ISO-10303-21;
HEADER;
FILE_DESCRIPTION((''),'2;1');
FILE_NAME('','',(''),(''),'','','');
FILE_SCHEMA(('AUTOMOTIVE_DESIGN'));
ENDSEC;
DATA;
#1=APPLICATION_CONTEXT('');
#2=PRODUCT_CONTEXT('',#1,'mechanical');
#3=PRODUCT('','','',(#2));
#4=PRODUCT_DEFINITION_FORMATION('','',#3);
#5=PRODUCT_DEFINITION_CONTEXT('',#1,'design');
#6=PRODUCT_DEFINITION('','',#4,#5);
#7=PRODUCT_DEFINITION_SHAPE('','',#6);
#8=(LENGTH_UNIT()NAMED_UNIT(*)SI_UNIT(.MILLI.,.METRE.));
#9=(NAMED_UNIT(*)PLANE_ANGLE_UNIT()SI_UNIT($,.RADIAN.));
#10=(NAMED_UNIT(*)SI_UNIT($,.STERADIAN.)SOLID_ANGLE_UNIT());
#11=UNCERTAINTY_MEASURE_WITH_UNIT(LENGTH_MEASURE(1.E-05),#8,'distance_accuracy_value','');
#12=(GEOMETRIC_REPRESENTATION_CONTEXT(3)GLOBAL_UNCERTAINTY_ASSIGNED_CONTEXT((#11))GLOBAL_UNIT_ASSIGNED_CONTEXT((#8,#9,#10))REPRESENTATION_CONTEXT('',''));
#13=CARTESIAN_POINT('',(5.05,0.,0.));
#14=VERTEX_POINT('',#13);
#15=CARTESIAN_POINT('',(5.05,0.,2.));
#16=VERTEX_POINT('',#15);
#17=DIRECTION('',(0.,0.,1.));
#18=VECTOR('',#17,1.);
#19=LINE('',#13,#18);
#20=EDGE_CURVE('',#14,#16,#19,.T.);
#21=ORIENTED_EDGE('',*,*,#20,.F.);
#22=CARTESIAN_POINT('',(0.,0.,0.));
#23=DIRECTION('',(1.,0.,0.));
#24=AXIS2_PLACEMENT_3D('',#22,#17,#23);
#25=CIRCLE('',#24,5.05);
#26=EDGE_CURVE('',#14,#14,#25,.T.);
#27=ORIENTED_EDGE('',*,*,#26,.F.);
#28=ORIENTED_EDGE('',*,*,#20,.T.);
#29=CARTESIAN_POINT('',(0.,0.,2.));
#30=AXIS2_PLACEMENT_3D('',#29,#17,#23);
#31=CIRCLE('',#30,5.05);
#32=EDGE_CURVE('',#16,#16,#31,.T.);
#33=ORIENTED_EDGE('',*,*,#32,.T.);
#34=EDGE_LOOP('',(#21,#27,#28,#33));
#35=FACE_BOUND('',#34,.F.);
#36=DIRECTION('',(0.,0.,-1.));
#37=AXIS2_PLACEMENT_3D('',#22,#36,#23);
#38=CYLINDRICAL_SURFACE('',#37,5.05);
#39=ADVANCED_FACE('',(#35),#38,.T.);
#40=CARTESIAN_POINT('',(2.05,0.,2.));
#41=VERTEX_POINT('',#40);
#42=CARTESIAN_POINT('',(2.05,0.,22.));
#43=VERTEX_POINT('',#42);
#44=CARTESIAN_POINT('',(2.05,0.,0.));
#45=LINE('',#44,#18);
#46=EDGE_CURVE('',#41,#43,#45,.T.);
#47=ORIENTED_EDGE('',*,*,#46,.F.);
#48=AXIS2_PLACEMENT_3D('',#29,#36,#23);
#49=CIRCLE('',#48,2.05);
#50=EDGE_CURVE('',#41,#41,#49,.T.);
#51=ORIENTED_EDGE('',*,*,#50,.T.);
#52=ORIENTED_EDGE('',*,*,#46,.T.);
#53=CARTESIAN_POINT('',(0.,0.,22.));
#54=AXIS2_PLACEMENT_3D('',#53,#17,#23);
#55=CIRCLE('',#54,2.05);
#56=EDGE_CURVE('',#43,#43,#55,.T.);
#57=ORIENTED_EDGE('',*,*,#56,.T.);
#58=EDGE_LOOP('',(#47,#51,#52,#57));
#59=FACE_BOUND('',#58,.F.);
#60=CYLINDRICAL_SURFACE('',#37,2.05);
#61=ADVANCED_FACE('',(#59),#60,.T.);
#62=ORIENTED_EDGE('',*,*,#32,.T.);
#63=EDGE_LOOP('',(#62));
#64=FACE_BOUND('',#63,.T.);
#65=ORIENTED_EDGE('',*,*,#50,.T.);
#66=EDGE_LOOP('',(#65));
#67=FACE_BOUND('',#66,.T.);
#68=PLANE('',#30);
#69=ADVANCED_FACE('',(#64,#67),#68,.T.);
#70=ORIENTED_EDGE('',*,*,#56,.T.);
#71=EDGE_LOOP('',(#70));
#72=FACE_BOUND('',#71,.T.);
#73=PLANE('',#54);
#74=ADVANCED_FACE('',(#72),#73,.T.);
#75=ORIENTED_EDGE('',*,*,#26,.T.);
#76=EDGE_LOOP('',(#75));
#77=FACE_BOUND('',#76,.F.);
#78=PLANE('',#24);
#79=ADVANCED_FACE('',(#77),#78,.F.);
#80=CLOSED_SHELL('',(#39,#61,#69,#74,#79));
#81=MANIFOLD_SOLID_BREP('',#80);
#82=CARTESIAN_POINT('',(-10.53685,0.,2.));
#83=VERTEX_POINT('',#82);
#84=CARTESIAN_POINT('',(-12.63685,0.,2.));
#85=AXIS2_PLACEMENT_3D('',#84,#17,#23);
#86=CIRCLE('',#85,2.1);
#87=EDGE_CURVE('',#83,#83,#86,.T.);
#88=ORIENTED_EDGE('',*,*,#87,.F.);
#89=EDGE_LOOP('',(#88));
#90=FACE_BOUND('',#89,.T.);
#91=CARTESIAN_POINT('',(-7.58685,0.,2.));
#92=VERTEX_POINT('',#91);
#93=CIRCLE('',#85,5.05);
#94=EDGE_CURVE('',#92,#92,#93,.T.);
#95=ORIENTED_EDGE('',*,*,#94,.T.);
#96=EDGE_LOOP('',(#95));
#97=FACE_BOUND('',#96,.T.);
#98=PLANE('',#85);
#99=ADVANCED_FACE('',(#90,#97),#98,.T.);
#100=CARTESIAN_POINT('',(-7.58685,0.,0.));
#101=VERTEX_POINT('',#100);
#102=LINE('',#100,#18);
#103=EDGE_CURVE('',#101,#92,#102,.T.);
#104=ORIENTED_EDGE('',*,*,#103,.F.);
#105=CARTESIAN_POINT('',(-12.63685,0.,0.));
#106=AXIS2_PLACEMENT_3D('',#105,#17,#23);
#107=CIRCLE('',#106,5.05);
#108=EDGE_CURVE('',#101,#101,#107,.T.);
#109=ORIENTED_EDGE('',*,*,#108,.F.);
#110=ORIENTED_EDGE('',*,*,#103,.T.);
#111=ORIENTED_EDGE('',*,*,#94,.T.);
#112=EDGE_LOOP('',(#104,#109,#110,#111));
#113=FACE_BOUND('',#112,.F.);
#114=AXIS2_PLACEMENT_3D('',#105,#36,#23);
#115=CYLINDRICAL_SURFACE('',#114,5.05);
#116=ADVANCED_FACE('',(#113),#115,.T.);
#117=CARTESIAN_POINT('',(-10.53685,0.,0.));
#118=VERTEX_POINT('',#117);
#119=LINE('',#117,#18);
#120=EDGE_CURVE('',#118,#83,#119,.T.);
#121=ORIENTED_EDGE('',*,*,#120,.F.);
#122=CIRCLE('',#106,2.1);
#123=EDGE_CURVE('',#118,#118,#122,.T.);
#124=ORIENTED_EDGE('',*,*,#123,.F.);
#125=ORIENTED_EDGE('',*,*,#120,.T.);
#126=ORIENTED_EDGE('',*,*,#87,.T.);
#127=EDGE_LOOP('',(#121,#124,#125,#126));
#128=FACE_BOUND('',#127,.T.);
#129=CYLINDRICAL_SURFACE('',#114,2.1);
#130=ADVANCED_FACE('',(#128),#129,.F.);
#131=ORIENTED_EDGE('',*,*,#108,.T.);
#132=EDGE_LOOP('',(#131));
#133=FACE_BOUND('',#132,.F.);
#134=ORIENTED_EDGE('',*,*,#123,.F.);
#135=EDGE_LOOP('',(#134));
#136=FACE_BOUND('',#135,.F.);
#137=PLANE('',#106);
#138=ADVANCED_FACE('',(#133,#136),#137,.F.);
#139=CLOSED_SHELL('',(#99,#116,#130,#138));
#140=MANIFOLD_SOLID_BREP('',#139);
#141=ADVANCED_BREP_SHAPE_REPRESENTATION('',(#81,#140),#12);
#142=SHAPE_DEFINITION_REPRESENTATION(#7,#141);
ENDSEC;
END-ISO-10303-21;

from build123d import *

# Parameters (mm, degrees)
F0_R     = 5.05
F0_R_2   = 2.05
F0_R_3   = 2.1
F1_DEPTH = 2
F2_DEPTH = 22


with BuildPart() as f1:
    # F0 (on Top) → F1 (new body)
    with BuildSketch(Plane.XY):
        Circle(F0_R)
        Circle(F0_R_2, mode=Mode.SUBTRACT)
        with Locations((-12.63685, 0)):
            Circle(F0_R)
        with Locations((-12.63685, 0)):
            Circle(F0_R_3, mode=Mode.SUBTRACT)
        Circle(F0_R_2)
    extrude(amount=F1_DEPTH)

    # F0 (on Top) → F2 (join)
    with BuildSketch(Plane.XY):
        Circle(F0_R_2)
    extrude(amount=F2_DEPTH)


solid = f1.part
